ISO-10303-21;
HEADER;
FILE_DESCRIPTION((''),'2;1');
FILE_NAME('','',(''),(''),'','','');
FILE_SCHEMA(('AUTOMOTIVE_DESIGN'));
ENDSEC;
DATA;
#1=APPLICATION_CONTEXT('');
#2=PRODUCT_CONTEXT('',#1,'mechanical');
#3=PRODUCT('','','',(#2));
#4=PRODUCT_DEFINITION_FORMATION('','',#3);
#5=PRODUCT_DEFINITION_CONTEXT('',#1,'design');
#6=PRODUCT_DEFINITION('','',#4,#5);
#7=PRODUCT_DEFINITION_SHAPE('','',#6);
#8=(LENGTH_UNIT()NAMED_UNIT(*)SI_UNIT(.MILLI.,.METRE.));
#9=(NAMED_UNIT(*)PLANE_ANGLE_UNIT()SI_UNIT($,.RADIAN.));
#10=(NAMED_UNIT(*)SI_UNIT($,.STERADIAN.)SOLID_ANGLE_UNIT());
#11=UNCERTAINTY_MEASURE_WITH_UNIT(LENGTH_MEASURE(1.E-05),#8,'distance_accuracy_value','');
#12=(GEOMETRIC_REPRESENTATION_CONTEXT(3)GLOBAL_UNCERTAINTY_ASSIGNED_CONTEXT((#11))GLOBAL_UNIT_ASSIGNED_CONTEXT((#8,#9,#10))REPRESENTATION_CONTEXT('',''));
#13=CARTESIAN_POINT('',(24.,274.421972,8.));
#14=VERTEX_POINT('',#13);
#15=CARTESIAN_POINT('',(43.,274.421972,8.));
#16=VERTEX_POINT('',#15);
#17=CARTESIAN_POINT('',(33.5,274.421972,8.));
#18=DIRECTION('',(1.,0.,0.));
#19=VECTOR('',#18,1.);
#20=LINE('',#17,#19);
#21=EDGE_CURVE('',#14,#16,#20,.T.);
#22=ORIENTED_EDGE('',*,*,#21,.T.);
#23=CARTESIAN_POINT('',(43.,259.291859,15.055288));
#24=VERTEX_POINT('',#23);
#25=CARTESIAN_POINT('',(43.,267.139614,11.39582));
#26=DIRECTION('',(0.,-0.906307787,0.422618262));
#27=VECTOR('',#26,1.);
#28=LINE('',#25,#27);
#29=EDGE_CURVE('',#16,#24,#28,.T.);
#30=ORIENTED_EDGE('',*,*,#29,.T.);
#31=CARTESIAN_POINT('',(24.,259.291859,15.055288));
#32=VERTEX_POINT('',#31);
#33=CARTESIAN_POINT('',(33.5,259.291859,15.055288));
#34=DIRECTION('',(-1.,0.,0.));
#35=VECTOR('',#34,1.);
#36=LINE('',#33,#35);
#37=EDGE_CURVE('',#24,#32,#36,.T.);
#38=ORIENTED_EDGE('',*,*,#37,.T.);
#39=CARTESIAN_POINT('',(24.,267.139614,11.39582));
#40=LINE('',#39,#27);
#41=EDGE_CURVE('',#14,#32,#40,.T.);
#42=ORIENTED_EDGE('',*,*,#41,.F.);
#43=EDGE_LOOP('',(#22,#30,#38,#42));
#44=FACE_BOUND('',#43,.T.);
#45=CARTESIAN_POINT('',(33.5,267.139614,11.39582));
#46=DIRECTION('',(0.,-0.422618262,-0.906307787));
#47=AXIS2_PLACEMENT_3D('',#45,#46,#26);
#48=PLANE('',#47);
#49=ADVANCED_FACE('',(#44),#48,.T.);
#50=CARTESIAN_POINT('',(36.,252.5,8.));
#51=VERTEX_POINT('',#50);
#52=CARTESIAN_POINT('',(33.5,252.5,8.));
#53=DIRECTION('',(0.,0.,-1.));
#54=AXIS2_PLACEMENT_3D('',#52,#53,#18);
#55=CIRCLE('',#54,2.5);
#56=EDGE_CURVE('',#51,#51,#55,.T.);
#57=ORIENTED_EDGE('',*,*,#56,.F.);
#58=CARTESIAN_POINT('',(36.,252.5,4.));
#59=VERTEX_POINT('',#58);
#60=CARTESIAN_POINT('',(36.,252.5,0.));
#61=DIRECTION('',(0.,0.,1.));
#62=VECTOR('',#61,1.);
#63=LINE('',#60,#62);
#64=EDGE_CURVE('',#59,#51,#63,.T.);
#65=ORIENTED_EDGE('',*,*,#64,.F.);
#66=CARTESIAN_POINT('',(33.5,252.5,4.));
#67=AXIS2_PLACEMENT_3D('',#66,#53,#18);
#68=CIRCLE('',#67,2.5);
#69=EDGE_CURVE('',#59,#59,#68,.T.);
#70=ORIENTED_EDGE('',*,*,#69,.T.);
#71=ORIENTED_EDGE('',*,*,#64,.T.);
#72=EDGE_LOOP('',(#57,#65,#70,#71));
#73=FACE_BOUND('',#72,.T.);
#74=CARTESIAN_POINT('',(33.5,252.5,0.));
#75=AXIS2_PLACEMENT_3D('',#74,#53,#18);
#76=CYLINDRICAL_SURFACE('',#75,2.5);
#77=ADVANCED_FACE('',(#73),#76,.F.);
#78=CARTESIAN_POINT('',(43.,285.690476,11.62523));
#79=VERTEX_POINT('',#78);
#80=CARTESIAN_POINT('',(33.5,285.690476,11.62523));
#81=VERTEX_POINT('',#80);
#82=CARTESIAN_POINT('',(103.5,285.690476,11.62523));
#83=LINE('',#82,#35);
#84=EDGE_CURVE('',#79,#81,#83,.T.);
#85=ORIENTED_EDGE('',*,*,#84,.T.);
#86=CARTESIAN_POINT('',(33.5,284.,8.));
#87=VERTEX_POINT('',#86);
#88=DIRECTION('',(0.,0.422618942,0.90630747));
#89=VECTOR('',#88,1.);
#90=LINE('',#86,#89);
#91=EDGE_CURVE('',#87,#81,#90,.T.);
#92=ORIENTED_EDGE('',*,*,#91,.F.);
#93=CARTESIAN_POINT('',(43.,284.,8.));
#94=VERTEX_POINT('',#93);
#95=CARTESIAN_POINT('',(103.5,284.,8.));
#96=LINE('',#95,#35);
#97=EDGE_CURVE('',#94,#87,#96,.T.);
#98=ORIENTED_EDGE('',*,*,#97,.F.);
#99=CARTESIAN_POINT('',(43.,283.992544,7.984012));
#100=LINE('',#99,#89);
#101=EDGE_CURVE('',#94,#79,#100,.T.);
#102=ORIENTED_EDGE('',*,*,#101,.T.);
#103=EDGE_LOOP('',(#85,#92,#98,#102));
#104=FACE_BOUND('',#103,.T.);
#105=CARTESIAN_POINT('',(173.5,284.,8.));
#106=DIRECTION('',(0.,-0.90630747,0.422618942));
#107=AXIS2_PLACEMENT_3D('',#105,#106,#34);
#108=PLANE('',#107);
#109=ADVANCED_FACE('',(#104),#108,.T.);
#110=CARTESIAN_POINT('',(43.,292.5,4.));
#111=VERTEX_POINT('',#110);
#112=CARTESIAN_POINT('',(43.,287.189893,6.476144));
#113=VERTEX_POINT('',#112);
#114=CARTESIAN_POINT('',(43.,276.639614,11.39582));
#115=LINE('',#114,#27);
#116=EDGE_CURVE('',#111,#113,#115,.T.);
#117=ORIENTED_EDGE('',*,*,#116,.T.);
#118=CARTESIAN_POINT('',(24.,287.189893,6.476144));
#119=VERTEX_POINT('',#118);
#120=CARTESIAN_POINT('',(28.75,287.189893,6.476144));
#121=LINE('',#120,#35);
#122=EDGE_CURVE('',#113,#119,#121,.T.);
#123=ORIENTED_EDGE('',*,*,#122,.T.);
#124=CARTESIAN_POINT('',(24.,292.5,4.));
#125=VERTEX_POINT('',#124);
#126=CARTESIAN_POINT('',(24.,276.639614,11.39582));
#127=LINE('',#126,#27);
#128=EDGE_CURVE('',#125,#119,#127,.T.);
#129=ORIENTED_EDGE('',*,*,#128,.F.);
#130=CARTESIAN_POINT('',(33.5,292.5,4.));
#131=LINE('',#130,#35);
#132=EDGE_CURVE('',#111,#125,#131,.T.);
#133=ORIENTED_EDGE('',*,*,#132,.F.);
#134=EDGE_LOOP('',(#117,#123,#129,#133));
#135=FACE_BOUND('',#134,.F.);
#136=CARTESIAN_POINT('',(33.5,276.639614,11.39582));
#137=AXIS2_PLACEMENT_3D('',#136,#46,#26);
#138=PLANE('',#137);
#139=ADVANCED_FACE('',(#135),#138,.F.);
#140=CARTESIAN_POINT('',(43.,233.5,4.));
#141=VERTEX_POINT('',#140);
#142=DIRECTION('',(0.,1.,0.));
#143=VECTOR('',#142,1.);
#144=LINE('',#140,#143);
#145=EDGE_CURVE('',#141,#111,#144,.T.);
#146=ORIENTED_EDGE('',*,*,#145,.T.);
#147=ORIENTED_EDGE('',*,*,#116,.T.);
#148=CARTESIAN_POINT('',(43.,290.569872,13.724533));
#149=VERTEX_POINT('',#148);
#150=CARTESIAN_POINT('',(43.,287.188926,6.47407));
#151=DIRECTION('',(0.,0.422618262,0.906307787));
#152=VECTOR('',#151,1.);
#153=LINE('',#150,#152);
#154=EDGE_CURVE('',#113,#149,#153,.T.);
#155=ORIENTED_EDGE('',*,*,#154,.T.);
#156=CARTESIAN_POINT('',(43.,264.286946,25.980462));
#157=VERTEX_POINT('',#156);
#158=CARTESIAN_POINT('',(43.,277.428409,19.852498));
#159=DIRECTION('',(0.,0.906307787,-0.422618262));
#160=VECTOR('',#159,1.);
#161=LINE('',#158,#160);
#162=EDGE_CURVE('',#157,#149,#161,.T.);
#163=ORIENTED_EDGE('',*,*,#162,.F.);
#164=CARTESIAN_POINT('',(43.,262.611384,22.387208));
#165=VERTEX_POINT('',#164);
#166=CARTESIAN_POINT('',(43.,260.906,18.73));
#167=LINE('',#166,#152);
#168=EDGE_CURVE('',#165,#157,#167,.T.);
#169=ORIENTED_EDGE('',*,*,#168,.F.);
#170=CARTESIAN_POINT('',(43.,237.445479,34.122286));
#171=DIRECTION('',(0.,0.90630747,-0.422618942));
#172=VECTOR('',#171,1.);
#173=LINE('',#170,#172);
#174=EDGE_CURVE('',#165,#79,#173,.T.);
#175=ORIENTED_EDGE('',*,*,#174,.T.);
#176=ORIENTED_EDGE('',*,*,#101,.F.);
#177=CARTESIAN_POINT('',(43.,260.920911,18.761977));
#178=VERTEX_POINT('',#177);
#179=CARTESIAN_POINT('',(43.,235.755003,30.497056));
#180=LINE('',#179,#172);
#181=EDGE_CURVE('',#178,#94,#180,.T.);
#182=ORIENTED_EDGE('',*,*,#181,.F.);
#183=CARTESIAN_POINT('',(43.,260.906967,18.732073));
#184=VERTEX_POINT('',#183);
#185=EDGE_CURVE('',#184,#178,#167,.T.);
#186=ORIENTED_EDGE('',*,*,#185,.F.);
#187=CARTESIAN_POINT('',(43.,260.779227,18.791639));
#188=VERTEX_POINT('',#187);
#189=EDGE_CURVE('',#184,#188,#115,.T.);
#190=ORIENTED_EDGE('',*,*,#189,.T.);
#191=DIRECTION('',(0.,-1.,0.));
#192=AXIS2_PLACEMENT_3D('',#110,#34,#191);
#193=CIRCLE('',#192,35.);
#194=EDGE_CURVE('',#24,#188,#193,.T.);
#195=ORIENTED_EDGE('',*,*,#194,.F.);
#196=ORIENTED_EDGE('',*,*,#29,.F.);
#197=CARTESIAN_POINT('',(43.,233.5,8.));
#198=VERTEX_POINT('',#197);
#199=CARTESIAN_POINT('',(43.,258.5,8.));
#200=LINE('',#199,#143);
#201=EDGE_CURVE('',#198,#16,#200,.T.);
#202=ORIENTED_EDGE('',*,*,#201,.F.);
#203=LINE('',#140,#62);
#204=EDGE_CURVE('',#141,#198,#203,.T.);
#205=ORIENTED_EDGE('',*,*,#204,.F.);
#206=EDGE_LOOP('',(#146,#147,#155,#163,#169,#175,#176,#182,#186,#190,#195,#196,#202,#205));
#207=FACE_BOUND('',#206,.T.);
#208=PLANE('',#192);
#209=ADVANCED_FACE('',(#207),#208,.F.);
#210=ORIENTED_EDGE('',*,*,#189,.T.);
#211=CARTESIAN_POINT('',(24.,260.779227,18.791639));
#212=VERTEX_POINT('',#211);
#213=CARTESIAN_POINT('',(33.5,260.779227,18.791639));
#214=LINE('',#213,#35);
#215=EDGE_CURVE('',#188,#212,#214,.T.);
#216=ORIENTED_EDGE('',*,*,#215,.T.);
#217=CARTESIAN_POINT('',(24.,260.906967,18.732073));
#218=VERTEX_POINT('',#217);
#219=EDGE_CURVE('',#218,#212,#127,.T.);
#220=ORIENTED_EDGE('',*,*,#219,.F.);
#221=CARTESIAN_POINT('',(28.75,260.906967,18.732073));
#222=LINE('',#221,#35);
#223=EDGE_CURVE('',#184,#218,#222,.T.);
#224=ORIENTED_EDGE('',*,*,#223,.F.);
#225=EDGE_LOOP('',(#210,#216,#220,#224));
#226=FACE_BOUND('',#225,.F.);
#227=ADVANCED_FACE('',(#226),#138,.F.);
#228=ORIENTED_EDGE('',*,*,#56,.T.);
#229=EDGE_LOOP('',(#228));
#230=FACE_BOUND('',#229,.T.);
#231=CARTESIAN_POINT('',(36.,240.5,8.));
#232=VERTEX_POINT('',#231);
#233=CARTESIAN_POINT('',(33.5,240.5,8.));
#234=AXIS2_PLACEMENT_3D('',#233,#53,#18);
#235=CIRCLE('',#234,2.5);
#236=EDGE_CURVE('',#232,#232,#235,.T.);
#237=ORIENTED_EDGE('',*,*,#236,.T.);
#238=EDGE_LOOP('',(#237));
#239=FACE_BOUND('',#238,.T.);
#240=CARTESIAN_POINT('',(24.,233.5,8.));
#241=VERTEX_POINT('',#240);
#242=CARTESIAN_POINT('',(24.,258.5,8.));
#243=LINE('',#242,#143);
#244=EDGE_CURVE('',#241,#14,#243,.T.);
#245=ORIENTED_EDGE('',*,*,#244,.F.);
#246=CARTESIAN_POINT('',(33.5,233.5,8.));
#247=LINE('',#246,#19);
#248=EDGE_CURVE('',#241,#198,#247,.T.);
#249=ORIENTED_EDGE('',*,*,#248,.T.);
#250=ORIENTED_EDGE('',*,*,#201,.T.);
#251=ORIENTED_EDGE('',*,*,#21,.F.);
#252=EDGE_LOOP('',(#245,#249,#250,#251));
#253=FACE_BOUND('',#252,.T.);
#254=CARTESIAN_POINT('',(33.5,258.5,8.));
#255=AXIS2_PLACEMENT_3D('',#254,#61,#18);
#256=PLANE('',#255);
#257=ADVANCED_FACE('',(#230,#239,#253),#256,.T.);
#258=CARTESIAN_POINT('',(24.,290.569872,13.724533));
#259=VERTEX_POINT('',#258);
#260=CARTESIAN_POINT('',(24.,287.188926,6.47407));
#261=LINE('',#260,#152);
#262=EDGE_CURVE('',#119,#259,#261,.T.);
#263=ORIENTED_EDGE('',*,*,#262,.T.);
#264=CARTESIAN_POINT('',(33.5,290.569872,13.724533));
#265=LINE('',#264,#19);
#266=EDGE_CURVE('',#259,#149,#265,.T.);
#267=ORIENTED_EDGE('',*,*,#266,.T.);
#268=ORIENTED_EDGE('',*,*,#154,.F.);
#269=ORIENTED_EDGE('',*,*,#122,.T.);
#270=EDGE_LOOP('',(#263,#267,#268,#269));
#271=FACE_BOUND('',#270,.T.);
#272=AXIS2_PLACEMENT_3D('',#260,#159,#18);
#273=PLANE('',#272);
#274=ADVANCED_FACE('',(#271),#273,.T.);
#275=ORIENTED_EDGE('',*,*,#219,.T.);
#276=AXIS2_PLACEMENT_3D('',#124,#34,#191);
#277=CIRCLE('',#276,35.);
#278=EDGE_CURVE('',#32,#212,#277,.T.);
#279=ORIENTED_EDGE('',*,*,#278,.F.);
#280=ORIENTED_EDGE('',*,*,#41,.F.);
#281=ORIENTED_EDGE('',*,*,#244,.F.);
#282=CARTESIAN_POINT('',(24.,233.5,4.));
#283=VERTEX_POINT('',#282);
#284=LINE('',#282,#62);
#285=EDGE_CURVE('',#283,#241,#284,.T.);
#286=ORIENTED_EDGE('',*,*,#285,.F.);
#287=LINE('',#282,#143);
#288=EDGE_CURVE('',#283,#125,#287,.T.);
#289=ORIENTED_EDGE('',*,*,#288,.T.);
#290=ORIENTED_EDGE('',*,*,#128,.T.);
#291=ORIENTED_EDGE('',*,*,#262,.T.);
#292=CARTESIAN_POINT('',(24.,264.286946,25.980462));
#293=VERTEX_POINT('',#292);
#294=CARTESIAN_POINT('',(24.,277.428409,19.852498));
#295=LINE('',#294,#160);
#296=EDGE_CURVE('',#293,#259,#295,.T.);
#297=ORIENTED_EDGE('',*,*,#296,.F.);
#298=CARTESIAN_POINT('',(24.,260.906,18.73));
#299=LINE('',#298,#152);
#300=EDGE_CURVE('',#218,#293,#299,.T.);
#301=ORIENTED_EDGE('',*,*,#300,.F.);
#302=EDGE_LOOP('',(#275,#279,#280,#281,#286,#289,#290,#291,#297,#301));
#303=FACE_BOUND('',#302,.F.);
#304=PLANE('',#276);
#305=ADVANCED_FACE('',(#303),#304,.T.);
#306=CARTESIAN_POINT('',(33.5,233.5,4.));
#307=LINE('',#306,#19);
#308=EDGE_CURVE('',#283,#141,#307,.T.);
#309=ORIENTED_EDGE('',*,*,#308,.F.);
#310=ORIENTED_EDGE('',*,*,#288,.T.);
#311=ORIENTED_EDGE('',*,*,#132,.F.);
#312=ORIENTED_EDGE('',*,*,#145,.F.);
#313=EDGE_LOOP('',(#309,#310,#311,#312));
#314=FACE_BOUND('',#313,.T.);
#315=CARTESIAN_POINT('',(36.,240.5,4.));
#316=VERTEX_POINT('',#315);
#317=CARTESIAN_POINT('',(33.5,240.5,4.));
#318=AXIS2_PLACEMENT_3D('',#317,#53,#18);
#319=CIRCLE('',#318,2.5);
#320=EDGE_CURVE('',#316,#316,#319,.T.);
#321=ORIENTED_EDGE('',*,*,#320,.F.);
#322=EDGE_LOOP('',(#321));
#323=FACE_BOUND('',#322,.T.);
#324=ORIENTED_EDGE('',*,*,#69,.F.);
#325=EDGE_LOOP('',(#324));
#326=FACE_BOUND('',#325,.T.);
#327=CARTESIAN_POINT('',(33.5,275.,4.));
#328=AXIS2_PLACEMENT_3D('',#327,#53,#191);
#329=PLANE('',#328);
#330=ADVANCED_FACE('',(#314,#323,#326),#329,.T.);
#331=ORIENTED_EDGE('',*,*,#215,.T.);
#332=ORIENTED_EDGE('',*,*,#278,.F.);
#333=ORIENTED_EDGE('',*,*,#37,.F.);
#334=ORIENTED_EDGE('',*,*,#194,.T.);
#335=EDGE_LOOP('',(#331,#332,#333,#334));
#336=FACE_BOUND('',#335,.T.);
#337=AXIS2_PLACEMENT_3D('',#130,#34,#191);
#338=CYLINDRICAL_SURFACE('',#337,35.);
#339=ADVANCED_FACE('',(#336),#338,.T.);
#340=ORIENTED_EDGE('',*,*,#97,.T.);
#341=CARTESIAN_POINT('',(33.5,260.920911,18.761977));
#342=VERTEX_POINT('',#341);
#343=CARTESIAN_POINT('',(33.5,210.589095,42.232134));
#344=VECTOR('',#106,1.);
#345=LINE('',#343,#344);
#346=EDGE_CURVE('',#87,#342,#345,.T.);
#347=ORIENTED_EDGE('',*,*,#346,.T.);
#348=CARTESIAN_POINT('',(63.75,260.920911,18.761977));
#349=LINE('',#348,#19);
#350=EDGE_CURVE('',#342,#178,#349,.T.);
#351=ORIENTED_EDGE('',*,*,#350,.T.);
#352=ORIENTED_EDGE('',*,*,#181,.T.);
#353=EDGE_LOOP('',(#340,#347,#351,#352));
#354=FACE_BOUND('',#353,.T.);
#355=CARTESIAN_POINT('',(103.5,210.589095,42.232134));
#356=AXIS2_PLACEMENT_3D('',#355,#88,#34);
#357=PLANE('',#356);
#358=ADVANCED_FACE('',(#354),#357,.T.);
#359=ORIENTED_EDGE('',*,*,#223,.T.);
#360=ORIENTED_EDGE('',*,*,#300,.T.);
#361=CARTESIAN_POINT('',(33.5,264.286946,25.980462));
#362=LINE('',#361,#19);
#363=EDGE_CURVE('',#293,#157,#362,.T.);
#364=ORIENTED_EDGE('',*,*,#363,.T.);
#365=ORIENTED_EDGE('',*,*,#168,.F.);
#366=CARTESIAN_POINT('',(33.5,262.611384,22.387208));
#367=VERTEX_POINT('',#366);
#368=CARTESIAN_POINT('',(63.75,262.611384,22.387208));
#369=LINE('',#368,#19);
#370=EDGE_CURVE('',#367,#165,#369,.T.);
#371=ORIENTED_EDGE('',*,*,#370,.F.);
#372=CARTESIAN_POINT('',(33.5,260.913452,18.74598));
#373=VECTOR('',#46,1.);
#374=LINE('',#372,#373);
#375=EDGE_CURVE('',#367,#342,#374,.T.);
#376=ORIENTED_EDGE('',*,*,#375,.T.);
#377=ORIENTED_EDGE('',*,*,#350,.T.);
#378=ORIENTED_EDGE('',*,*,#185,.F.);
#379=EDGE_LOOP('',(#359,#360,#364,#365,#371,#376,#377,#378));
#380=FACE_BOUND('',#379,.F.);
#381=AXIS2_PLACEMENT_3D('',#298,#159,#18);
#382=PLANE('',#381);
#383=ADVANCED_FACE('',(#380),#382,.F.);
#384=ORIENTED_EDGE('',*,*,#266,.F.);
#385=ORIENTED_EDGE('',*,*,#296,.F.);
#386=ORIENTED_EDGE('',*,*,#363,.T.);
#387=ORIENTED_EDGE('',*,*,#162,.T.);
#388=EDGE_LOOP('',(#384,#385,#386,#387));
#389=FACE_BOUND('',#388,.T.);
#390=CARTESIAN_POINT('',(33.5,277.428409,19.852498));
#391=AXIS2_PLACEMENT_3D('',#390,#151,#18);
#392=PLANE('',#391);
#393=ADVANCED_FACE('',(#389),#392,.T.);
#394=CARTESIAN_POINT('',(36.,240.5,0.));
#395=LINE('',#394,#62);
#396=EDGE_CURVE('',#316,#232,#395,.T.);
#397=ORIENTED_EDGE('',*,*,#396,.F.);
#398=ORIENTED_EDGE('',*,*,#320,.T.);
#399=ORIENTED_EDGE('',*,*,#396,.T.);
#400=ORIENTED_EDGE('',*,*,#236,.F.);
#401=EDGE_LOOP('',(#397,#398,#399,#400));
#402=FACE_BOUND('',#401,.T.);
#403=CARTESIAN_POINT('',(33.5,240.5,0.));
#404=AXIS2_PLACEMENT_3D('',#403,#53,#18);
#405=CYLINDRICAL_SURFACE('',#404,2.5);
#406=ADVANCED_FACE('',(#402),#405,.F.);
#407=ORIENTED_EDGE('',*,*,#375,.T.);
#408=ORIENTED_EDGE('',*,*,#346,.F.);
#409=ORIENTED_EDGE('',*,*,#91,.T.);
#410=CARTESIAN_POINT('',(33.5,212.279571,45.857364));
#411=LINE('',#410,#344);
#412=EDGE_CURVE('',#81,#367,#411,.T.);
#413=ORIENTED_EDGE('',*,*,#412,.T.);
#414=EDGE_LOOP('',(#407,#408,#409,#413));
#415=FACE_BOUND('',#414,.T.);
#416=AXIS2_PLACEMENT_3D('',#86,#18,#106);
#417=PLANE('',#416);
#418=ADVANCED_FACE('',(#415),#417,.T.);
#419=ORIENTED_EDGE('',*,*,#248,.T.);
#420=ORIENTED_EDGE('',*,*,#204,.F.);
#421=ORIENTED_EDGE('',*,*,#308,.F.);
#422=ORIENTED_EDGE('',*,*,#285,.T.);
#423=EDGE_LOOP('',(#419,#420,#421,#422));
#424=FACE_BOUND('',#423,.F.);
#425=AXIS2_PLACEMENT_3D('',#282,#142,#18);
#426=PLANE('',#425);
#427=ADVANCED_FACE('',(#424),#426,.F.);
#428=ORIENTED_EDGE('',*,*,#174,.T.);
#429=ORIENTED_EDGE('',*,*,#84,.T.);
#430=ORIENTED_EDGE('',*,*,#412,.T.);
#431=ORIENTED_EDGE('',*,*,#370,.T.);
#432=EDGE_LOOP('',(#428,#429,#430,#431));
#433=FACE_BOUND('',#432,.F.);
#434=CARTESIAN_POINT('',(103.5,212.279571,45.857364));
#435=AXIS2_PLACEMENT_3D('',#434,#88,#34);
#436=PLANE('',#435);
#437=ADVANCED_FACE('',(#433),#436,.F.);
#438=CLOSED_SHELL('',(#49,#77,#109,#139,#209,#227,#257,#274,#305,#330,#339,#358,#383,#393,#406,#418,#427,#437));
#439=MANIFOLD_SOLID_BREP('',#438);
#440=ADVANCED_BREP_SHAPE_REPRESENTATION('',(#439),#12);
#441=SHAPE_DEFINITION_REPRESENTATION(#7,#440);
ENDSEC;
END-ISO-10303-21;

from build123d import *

# Parameters (mm, degrees)
CYLINDER027_R          = 2.5
CYLINDER027_DEPTH      = 10
CYLINDER024_R          = 2.5
CYLINDER024_DEPTH      = 10
CYLINDER025_W          = 35
CYLINDER025_H          = 19
CYLINDER025_ANGLE      = 25
CYLINDER026_W          = 35
CYLINDER026_H          = 19
CYLINDER026_ANGLE      = 25
BOX030_W               = 19
BOX030_H               = 50
BOX030_DEPTH           = 4
BOX033_W               = 140
BOX033_H               = 162
BOX033_DEPTH           = 4
BOX033_ROLL_ANGLE      = 25.000043
BOX033_PLACEMENT_ANGLE = 180
BOX031_W               = 19
BOX031_H               = 29
BOX031_DEPTH           = 8
BOX031_PLACEMENT_ANGLE = 25


with BuildPart() as m4s007:
    # Cylinder027 → Cylinder027 (new body)
    with BuildSketch(Plane(origin=(177.5, 240.5, 0), x_dir=(1, 0, 0), z_dir=(0, 0, 1))):
        Circle(CYLINDER027_R)
    extrude(amount=CYLINDER027_DEPTH)


with BuildPart() as m4lowcut003:
    # Cylinder024 → Cylinder024 (new body)
    with BuildSketch(Plane(origin=(177.5, 252.5, 0), x_dir=(1, 0, 0), z_dir=(0, 0, 1))):
        Circle(CYLINDER024_R)
    extrude(amount=CYLINDER024_DEPTH)

    # Fusion013: union m4s007
    add(m4s007.part)


with BuildPart() as cylinder025:
    # Cylinder025 → Cylinder025 (revolve)
    with BuildSketch(Plane(origin=(187, 283, 4), x_dir=(0, -1, 0), z_dir=(0, 0, -1))):
        with Locations((17.5, 9.5)):
            Rectangle(CYLINDER025_W, CYLINDER025_H)
    revolve(axis=Axis((187, 283, 4), (-1, 0, 0)), revolution_arc=CYLINDER025_ANGLE)


with BuildPart() as bottom006:
    # Cylinder026 → Cylinder026 (revolve)
    with BuildSketch(Plane(origin=(187, 292.5, 4), x_dir=(0, -1, 0), z_dir=(0, 0, -1))):
        with Locations((17.5, 9.5)):
            Rectangle(CYLINDER026_W, CYLINDER026_H)
    revolve(axis=Axis((187, 292.5, 4), (-1, 0, 0)), revolution_arc=CYLINDER026_ANGLE)

    # Cut021: cut Cylinder025
    add(cylinder025.part, mode=Mode.SUBTRACT)


with BuildPart() as bottomleft:
    # Box030 → Box030 (new body)
    with BuildSketch(Plane(origin=(168, 233.5, 4), x_dir=(1, 0, 0), z_dir=(0, 0, 1))):
        with Locations((9.5, 25)):
            Rectangle(BOX030_W, BOX030_H)
    extrude(amount=BOX030_DEPTH)

    # Fusion014: union bottom006
    add(bottom006.part)

    # Cut022: cut m4lowCut003
    add(m4lowcut003.part, mode=Mode.SUBTRACT)


with BuildPart() as bottomleft_1:
    # Cut022 placement: moved
    add(bottomleft.part.moved(Location((-144, 0, 0))))


with BuildPart() as solar_panel009:
    # Box033 → Box033 (new body)
    with BuildSketch(Plane.XY):
        with Locations((70, 81)):
            Rectangle(BOX033_W, BOX033_H)
    extrude(amount=BOX033_DEPTH)


with BuildPart() as solar_panel009_1:
    # Box033 roll: moved
    add(solar_panel009.part.rotate(Axis((0, 0, 0), (1, 0, 0)), BOX033_ROLL_ANGLE))


with BuildPart() as solar_panel009_2:
    # Box033 placement: moved
    add(solar_panel009_1.part.moved(Location((173.5, 284, 8))).rotate(Axis((173.5, 284, 8), (0, 0, 1)), BOX033_PLACEMENT_ANGLE))


with BuildPart() as topleft001:
    # Box031 → Box031 (new body)
    with BuildSketch(Plane.XY):
        with Locations((9.5, 14.5)):
            Rectangle(BOX031_W, BOX031_H)
    extrude(amount=BOX031_DEPTH)


with BuildPart() as topleft001_1:
    # Box031 placement: moved
    add(topleft001.part.moved(Location((24, 260.906, 18.73))).rotate(Axis((24, 260.906, 18.73), (-1, 0, 0)), BOX031_PLACEMENT_ANGLE))

    # Cut023: cut solar Panel009
    add(solar_panel009_2.part, mode=Mode.SUBTRACT)

    # Fusion027: union bottomLeft
    add(bottomleft_1.part)


solid = topleft001_1.part
